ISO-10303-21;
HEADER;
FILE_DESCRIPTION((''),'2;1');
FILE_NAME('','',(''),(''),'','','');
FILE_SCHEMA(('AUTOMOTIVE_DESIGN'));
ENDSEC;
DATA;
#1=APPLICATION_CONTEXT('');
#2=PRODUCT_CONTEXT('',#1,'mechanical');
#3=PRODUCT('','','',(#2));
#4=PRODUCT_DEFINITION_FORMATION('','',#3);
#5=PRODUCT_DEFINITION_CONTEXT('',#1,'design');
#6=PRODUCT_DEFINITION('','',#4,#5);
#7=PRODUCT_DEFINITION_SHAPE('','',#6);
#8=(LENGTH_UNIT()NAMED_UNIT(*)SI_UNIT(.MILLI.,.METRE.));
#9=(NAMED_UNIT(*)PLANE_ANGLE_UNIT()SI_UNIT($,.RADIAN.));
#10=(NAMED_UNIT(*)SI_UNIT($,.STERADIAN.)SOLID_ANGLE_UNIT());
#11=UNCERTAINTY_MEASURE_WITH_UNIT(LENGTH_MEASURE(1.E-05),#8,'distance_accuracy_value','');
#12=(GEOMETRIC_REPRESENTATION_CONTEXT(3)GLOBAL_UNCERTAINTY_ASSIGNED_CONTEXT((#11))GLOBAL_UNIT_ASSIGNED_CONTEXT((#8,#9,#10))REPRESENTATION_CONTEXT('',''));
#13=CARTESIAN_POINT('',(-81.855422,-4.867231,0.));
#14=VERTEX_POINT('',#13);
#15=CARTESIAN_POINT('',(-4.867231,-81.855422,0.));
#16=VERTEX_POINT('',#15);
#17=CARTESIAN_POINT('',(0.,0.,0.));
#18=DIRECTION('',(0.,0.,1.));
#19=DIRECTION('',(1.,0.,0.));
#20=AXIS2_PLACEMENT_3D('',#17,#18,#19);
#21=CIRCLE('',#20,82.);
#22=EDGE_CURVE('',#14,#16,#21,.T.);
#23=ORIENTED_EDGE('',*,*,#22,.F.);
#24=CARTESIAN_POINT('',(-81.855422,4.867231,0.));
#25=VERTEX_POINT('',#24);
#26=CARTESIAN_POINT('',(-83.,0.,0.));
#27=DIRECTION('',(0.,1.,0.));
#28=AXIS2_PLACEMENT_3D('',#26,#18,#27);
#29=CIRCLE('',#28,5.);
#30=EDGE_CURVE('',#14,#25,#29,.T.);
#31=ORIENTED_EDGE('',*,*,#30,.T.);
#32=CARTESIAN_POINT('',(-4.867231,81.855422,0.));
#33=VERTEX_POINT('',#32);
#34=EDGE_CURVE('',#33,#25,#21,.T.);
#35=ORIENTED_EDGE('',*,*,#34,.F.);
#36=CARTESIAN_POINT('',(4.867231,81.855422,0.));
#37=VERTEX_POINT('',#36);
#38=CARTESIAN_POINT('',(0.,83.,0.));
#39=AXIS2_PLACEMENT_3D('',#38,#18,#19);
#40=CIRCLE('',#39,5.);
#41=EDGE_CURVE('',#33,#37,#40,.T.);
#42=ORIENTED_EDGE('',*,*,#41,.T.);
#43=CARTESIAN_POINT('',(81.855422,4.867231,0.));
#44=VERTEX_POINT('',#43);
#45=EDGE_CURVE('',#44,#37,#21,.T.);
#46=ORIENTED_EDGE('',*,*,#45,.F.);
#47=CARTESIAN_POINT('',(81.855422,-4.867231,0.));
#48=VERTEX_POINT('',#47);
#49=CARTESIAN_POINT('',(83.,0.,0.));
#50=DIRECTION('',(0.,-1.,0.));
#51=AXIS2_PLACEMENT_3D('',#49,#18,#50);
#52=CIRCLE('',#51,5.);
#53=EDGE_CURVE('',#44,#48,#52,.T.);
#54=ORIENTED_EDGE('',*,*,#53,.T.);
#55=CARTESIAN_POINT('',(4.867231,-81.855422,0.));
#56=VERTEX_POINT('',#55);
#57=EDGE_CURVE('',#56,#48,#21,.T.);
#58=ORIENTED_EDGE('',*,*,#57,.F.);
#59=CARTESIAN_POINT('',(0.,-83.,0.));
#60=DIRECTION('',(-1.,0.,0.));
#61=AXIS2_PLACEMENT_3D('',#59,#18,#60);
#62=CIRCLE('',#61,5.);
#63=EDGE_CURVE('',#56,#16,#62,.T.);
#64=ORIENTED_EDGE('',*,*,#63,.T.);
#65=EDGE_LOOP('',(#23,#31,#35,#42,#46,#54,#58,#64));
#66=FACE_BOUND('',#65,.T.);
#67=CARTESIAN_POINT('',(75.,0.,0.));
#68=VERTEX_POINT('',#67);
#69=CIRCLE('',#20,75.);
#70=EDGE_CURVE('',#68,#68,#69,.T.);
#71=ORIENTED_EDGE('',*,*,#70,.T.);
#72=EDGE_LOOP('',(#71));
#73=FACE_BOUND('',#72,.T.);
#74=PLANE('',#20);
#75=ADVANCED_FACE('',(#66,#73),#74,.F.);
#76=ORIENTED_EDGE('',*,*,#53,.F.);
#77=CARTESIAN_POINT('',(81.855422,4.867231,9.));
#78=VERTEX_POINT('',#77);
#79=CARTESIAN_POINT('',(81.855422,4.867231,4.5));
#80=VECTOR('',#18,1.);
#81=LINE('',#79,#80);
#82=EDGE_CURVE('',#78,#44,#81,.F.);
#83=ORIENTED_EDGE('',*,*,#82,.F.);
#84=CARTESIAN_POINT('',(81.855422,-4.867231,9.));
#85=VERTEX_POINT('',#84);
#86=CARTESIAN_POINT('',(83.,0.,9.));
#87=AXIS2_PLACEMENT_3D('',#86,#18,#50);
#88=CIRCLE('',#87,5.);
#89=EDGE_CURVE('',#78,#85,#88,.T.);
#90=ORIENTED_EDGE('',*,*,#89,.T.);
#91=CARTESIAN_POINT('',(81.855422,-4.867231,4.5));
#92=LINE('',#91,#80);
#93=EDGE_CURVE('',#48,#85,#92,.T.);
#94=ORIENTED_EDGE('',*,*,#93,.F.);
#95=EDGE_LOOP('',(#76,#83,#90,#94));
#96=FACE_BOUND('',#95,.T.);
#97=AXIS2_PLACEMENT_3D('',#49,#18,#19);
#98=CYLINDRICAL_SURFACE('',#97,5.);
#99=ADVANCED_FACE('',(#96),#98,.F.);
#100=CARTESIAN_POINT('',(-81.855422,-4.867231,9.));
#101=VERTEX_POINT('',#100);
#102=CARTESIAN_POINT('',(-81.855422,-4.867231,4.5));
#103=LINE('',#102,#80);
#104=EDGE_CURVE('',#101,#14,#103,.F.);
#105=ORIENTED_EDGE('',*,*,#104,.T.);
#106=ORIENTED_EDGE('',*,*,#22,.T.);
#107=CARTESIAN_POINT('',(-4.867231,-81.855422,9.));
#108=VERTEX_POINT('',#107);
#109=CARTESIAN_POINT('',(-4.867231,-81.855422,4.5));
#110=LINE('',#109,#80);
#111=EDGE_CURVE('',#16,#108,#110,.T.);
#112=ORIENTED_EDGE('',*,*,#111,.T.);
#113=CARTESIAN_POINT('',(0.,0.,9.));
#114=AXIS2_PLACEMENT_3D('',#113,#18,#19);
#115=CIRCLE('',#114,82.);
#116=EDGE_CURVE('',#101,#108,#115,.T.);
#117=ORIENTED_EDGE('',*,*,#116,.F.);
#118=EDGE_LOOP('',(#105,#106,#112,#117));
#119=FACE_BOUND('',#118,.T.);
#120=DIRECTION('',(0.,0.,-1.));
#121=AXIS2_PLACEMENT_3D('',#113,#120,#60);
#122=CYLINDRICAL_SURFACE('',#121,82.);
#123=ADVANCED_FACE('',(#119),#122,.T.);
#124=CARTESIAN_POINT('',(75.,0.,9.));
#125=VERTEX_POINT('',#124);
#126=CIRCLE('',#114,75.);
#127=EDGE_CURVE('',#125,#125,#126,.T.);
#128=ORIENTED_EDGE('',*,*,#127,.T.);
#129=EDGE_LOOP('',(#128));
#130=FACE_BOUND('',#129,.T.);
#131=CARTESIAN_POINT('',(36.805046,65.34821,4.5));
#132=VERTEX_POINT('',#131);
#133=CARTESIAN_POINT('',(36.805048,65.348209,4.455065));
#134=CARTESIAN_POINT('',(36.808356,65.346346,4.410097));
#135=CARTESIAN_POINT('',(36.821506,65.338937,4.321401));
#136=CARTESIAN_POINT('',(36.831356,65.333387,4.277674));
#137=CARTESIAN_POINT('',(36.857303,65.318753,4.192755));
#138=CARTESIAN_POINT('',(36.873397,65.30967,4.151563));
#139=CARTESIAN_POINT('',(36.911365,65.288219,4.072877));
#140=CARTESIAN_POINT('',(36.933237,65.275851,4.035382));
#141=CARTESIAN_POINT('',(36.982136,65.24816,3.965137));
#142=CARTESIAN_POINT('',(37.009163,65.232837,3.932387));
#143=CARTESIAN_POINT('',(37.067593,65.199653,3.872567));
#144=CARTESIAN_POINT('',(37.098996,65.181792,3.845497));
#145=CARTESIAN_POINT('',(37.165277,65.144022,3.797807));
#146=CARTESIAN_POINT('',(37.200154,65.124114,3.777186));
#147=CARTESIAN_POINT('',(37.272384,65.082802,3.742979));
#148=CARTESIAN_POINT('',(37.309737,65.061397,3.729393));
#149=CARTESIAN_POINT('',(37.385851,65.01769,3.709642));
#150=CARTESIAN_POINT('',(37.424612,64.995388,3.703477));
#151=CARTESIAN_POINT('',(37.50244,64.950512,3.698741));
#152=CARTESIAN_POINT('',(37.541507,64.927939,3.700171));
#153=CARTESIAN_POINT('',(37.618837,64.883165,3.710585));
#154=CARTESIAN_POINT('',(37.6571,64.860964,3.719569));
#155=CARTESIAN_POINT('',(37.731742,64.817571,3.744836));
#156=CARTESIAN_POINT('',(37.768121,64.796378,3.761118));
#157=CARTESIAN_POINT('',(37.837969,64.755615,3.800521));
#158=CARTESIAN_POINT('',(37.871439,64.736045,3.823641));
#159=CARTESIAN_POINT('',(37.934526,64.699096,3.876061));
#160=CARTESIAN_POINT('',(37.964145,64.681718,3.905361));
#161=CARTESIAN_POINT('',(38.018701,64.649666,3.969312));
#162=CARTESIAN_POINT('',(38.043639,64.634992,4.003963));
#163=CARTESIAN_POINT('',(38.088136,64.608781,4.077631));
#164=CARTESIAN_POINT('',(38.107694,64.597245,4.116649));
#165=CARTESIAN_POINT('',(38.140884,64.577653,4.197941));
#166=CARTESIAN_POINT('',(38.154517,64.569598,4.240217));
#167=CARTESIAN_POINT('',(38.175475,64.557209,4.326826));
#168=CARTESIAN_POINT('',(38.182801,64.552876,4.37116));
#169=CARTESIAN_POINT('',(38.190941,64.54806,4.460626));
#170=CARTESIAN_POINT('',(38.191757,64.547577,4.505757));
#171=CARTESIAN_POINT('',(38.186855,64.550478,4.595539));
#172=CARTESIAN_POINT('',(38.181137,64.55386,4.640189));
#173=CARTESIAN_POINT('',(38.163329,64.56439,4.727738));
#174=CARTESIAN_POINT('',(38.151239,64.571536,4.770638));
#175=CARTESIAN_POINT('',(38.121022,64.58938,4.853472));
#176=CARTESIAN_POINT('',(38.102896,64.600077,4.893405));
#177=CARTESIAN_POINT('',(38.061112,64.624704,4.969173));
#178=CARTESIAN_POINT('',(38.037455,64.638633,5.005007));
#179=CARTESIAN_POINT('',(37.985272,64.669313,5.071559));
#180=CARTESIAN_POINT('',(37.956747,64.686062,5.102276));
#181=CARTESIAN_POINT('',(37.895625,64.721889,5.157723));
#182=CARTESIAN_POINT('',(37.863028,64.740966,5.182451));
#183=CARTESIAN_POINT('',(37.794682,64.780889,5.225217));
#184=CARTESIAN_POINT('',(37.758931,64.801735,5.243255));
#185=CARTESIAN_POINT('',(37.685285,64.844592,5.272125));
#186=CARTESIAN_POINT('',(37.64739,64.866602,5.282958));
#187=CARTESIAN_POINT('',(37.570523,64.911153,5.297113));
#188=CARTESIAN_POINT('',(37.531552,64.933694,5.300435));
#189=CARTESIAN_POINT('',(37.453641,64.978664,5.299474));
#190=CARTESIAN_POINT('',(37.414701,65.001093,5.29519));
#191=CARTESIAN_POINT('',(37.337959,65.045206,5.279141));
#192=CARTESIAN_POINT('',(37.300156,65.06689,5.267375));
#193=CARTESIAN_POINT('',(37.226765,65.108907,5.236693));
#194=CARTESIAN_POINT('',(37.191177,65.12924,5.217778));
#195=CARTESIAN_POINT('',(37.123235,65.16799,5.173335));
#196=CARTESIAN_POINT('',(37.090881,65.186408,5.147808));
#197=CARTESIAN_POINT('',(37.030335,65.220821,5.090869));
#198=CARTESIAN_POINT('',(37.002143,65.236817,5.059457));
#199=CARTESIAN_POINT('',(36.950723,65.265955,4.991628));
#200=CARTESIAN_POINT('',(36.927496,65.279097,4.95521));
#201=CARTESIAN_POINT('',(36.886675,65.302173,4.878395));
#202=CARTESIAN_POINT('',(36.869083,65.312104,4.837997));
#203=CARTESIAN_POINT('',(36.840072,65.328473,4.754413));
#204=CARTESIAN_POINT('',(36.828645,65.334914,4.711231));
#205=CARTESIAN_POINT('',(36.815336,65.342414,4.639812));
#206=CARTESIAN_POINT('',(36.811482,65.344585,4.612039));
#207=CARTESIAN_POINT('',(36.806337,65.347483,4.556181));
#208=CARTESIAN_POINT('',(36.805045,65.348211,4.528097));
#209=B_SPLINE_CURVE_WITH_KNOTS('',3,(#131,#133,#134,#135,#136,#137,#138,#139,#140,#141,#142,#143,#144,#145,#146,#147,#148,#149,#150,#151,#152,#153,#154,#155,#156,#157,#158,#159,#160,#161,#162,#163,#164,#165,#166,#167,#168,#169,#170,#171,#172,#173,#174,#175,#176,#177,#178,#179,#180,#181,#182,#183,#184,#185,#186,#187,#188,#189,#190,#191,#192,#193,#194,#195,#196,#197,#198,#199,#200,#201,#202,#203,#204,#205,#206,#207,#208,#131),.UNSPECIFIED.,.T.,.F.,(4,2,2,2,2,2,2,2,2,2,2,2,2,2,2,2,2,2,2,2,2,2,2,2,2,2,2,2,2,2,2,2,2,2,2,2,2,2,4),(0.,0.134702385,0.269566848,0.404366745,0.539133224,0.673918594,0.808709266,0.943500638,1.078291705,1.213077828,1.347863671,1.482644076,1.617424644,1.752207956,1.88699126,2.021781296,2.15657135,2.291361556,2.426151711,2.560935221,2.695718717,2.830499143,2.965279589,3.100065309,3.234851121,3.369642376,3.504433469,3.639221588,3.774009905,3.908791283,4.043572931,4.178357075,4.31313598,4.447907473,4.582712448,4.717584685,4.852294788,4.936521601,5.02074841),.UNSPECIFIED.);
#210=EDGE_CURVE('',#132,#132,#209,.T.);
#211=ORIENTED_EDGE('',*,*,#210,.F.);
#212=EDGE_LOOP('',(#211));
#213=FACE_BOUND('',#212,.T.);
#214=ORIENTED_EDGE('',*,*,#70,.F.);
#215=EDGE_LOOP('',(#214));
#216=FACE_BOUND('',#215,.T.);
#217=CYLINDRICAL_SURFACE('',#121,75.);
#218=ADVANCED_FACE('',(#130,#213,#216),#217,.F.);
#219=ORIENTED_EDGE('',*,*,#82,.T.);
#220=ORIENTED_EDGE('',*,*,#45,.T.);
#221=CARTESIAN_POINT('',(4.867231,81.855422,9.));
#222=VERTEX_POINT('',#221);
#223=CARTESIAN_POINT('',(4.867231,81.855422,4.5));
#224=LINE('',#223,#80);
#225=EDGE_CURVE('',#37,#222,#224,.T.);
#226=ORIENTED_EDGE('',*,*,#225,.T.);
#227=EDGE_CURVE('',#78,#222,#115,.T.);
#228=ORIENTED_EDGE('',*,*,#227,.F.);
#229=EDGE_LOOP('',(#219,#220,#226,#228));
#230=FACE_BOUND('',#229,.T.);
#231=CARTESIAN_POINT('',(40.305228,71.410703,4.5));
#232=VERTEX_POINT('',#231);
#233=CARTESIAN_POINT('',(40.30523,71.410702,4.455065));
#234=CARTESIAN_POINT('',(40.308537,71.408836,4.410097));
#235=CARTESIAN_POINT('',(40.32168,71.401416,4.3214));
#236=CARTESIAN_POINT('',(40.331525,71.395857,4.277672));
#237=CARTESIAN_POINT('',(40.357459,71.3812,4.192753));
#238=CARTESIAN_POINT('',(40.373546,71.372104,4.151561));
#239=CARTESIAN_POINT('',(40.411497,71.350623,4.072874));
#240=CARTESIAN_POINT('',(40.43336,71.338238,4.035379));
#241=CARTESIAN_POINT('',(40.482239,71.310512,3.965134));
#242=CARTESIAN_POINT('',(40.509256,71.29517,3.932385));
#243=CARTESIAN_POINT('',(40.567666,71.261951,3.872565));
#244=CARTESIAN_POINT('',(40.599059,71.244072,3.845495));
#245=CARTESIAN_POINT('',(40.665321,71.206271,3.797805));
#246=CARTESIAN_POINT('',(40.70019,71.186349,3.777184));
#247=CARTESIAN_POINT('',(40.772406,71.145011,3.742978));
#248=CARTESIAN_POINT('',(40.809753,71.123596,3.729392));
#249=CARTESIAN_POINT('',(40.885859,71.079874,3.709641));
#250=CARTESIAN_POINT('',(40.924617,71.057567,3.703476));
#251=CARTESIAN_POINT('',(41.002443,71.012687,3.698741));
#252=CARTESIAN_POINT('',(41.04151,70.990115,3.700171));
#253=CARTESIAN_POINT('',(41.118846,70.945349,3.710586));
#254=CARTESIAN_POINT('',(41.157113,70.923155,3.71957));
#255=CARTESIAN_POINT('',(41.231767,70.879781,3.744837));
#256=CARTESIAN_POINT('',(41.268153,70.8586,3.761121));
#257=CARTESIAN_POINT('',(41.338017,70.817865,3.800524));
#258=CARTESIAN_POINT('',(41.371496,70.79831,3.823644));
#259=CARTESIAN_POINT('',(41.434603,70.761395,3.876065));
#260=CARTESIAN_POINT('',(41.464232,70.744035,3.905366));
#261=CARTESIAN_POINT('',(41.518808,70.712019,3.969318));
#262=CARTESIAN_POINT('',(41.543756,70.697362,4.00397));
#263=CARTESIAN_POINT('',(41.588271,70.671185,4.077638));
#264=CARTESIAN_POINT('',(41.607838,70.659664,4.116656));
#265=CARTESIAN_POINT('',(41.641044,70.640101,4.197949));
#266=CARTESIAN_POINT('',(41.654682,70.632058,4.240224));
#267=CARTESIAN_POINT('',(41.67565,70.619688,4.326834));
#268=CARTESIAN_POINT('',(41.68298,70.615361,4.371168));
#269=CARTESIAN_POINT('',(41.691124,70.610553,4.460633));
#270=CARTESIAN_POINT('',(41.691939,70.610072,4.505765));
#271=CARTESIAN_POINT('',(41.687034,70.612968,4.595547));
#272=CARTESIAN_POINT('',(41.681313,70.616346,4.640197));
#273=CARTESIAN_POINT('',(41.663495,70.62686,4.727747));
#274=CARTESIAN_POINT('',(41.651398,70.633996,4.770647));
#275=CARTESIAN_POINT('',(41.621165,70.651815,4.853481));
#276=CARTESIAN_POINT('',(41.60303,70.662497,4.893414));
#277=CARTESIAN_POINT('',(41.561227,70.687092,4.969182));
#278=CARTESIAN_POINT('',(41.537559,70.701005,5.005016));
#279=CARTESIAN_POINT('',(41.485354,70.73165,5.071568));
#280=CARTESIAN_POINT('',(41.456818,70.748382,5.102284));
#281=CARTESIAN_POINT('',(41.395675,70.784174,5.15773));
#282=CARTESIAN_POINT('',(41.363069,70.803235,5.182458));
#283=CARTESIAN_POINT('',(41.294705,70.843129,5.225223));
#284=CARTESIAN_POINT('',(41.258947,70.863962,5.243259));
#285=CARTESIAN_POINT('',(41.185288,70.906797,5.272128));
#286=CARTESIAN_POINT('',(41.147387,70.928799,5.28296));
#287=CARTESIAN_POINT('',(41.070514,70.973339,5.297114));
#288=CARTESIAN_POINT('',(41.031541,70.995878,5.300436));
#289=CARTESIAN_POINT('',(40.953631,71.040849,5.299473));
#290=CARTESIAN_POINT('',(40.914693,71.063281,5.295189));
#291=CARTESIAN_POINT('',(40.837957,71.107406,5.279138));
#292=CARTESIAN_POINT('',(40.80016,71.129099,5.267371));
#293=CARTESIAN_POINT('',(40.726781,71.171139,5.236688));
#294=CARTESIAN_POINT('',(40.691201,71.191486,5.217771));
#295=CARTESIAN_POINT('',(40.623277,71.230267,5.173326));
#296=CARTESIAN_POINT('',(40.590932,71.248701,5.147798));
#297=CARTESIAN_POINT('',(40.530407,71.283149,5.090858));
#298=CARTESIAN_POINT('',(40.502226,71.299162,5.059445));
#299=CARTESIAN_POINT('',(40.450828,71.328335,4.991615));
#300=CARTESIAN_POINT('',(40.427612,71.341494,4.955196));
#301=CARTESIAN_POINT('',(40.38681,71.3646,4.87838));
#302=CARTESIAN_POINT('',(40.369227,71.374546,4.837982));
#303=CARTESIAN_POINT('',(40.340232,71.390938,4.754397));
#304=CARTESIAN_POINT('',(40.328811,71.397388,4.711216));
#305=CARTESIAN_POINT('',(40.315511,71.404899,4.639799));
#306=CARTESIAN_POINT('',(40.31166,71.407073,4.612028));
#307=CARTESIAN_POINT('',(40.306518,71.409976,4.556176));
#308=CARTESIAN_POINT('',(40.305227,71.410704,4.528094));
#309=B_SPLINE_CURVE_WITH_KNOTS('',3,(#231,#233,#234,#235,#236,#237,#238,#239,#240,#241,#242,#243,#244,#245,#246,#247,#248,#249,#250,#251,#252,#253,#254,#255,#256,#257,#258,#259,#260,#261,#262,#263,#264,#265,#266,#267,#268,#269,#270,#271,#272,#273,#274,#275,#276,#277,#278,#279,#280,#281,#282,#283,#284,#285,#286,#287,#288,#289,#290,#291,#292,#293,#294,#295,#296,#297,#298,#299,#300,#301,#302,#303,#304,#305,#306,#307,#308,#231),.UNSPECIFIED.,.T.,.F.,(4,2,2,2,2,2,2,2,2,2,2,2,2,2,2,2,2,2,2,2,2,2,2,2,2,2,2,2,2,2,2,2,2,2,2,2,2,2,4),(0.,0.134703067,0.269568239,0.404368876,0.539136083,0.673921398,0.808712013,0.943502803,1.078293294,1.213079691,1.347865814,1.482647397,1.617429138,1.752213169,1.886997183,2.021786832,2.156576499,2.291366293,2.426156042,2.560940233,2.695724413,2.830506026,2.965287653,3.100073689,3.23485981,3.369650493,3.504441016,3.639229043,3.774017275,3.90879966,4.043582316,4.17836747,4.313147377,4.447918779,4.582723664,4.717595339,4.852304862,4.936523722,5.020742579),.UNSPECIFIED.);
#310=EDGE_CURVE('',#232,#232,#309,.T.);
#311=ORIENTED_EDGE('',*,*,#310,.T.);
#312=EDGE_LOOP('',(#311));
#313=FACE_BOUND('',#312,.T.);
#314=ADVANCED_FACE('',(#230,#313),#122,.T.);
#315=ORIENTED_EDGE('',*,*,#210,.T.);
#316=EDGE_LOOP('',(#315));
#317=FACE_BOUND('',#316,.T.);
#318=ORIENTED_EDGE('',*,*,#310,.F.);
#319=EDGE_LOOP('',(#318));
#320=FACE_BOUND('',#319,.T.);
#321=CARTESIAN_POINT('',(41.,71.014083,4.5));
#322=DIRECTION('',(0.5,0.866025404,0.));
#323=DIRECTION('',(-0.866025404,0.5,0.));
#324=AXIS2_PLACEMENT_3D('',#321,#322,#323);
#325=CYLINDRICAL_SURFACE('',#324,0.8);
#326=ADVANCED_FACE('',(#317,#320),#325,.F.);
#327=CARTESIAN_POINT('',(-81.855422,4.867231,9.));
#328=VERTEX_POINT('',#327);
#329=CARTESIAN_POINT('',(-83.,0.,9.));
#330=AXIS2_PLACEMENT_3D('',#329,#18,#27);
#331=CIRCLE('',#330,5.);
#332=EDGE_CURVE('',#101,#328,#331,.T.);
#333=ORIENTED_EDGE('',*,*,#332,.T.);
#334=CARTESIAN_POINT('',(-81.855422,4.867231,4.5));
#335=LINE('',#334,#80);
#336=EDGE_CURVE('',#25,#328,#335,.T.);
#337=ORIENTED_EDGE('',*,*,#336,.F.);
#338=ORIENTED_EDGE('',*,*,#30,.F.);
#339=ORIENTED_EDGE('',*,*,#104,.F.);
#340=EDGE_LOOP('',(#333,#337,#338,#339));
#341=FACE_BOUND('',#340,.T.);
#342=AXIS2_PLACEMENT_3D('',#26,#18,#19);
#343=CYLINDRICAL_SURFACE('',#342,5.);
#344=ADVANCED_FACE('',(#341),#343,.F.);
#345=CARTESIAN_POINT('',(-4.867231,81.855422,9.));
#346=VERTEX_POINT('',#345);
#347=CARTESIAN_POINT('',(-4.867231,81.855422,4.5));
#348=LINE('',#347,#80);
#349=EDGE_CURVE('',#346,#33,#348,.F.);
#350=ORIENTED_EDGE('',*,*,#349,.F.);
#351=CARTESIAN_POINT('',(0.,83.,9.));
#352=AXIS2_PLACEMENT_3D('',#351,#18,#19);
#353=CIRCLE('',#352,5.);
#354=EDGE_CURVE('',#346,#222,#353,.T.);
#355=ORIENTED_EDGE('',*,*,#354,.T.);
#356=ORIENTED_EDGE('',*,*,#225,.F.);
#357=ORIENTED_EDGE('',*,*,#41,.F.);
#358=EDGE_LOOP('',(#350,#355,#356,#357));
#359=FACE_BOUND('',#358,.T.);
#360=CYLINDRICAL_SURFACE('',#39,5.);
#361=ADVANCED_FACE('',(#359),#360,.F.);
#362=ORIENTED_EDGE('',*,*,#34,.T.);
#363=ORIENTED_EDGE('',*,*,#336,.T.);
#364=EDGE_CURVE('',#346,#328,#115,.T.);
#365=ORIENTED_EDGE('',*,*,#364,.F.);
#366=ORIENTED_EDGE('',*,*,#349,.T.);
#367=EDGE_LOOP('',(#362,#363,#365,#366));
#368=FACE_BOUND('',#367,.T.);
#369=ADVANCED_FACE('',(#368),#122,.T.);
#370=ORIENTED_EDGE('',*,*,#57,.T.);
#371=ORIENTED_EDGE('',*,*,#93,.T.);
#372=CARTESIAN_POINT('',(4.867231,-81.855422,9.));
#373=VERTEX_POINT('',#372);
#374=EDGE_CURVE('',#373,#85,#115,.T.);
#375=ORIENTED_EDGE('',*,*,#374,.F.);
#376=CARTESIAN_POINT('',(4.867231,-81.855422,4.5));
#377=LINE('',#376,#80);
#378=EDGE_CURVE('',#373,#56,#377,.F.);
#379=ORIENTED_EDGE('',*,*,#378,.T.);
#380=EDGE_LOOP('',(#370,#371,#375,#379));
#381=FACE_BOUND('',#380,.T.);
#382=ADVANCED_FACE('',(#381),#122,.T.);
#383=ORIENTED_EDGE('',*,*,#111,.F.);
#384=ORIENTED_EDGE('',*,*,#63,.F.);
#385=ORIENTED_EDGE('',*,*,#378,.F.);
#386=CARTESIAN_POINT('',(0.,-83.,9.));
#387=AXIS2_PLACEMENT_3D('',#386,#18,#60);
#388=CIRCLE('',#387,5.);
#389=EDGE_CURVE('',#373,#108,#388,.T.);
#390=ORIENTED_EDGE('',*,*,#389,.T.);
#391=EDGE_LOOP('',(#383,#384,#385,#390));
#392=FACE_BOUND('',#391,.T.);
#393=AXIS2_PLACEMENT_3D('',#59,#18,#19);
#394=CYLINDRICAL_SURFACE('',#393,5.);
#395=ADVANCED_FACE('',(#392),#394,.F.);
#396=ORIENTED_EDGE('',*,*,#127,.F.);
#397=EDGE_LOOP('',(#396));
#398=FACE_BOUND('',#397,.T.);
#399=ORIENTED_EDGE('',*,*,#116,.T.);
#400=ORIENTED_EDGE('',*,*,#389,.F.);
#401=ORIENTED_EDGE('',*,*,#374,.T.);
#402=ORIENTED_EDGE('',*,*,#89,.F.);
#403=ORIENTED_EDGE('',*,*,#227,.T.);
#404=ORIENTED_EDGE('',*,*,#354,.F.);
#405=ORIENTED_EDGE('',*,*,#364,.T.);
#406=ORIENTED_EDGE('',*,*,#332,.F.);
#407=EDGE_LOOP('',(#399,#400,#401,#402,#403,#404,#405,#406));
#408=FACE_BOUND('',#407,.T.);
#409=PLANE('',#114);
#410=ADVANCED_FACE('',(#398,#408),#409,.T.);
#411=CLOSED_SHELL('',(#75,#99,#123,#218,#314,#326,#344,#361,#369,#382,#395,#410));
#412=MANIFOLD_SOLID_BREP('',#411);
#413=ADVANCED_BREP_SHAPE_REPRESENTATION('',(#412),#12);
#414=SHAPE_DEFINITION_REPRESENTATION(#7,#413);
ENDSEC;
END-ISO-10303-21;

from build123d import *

# Parameters (mm, degrees)
SKETCH1_R                 = 82
SKETCH1_R_2               = 75
BOSS_EXTRUDE1_DEPTH       = 9
SKETCH2_R                 = 5
CUT_EXTRUDE1_DEPTH        = 117.314229568
CIRPATTERN1_COUNT         = 4
M2X0_4_TAPPED_HOLE1_D     = 1.6
M2X0_4_TAPPED_HOLE1_DEPTH = 10
M2X0_4_TAPPED_HOLE1_TIP   = 0.480688495


with BuildPart() as part:
    # Sketch1 → Boss-Extrude1 (new body)
    with BuildSketch(Plane.XY):
        Circle(SKETCH1_R)
        Circle(SKETCH1_R_2, mode=Mode.SUBTRACT)
    extrude(amount=BOSS_EXTRUDE1_DEPTH)

    # Sketch2 → Cut-Extrude1 (cut, through all)
    with BuildSketch(Plane.XY.offset(9)):
        with Locations((0, 83)):
            Circle(SKETCH2_R)
    cut_extrude1 = extrude(amount=-CUT_EXTRUDE1_DEPTH, mode=Mode.SUBTRACT)

    # CirPattern1: Cut-Extrude1 ×4 about axis
    cirpattern1_axis = Axis((0, 0, 0), (0, 0, 1))
    for i in range(1, CIRPATTERN1_COUNT):
        add(cut_extrude1.rotate(cirpattern1_axis, i * 360 / CIRPATTERN1_COUNT), mode=Mode.SUBTRACT)

    # M2x0.4 Tapped Hole1
    with Locations(Plane(origin=(41, 71.01408311, 4.5), x_dir=(0.866025403784, -0.5, 0), z_dir=(0.5, 0.866025403784, 0))):
        with Locations((0, 0)):
            Hole(M2X0_4_TAPPED_HOLE1_D / 2, depth=M2X0_4_TAPPED_HOLE1_DEPTH)
            with Locations((0, 0, -(M2X0_4_TAPPED_HOLE1_DEPTH + M2X0_4_TAPPED_HOLE1_TIP / 2))):  # 118° drill point
                Cone(0, M2X0_4_TAPPED_HOLE1_D / 2, M2X0_4_TAPPED_HOLE1_TIP, mode=Mode.SUBTRACT)


solid = part.part
